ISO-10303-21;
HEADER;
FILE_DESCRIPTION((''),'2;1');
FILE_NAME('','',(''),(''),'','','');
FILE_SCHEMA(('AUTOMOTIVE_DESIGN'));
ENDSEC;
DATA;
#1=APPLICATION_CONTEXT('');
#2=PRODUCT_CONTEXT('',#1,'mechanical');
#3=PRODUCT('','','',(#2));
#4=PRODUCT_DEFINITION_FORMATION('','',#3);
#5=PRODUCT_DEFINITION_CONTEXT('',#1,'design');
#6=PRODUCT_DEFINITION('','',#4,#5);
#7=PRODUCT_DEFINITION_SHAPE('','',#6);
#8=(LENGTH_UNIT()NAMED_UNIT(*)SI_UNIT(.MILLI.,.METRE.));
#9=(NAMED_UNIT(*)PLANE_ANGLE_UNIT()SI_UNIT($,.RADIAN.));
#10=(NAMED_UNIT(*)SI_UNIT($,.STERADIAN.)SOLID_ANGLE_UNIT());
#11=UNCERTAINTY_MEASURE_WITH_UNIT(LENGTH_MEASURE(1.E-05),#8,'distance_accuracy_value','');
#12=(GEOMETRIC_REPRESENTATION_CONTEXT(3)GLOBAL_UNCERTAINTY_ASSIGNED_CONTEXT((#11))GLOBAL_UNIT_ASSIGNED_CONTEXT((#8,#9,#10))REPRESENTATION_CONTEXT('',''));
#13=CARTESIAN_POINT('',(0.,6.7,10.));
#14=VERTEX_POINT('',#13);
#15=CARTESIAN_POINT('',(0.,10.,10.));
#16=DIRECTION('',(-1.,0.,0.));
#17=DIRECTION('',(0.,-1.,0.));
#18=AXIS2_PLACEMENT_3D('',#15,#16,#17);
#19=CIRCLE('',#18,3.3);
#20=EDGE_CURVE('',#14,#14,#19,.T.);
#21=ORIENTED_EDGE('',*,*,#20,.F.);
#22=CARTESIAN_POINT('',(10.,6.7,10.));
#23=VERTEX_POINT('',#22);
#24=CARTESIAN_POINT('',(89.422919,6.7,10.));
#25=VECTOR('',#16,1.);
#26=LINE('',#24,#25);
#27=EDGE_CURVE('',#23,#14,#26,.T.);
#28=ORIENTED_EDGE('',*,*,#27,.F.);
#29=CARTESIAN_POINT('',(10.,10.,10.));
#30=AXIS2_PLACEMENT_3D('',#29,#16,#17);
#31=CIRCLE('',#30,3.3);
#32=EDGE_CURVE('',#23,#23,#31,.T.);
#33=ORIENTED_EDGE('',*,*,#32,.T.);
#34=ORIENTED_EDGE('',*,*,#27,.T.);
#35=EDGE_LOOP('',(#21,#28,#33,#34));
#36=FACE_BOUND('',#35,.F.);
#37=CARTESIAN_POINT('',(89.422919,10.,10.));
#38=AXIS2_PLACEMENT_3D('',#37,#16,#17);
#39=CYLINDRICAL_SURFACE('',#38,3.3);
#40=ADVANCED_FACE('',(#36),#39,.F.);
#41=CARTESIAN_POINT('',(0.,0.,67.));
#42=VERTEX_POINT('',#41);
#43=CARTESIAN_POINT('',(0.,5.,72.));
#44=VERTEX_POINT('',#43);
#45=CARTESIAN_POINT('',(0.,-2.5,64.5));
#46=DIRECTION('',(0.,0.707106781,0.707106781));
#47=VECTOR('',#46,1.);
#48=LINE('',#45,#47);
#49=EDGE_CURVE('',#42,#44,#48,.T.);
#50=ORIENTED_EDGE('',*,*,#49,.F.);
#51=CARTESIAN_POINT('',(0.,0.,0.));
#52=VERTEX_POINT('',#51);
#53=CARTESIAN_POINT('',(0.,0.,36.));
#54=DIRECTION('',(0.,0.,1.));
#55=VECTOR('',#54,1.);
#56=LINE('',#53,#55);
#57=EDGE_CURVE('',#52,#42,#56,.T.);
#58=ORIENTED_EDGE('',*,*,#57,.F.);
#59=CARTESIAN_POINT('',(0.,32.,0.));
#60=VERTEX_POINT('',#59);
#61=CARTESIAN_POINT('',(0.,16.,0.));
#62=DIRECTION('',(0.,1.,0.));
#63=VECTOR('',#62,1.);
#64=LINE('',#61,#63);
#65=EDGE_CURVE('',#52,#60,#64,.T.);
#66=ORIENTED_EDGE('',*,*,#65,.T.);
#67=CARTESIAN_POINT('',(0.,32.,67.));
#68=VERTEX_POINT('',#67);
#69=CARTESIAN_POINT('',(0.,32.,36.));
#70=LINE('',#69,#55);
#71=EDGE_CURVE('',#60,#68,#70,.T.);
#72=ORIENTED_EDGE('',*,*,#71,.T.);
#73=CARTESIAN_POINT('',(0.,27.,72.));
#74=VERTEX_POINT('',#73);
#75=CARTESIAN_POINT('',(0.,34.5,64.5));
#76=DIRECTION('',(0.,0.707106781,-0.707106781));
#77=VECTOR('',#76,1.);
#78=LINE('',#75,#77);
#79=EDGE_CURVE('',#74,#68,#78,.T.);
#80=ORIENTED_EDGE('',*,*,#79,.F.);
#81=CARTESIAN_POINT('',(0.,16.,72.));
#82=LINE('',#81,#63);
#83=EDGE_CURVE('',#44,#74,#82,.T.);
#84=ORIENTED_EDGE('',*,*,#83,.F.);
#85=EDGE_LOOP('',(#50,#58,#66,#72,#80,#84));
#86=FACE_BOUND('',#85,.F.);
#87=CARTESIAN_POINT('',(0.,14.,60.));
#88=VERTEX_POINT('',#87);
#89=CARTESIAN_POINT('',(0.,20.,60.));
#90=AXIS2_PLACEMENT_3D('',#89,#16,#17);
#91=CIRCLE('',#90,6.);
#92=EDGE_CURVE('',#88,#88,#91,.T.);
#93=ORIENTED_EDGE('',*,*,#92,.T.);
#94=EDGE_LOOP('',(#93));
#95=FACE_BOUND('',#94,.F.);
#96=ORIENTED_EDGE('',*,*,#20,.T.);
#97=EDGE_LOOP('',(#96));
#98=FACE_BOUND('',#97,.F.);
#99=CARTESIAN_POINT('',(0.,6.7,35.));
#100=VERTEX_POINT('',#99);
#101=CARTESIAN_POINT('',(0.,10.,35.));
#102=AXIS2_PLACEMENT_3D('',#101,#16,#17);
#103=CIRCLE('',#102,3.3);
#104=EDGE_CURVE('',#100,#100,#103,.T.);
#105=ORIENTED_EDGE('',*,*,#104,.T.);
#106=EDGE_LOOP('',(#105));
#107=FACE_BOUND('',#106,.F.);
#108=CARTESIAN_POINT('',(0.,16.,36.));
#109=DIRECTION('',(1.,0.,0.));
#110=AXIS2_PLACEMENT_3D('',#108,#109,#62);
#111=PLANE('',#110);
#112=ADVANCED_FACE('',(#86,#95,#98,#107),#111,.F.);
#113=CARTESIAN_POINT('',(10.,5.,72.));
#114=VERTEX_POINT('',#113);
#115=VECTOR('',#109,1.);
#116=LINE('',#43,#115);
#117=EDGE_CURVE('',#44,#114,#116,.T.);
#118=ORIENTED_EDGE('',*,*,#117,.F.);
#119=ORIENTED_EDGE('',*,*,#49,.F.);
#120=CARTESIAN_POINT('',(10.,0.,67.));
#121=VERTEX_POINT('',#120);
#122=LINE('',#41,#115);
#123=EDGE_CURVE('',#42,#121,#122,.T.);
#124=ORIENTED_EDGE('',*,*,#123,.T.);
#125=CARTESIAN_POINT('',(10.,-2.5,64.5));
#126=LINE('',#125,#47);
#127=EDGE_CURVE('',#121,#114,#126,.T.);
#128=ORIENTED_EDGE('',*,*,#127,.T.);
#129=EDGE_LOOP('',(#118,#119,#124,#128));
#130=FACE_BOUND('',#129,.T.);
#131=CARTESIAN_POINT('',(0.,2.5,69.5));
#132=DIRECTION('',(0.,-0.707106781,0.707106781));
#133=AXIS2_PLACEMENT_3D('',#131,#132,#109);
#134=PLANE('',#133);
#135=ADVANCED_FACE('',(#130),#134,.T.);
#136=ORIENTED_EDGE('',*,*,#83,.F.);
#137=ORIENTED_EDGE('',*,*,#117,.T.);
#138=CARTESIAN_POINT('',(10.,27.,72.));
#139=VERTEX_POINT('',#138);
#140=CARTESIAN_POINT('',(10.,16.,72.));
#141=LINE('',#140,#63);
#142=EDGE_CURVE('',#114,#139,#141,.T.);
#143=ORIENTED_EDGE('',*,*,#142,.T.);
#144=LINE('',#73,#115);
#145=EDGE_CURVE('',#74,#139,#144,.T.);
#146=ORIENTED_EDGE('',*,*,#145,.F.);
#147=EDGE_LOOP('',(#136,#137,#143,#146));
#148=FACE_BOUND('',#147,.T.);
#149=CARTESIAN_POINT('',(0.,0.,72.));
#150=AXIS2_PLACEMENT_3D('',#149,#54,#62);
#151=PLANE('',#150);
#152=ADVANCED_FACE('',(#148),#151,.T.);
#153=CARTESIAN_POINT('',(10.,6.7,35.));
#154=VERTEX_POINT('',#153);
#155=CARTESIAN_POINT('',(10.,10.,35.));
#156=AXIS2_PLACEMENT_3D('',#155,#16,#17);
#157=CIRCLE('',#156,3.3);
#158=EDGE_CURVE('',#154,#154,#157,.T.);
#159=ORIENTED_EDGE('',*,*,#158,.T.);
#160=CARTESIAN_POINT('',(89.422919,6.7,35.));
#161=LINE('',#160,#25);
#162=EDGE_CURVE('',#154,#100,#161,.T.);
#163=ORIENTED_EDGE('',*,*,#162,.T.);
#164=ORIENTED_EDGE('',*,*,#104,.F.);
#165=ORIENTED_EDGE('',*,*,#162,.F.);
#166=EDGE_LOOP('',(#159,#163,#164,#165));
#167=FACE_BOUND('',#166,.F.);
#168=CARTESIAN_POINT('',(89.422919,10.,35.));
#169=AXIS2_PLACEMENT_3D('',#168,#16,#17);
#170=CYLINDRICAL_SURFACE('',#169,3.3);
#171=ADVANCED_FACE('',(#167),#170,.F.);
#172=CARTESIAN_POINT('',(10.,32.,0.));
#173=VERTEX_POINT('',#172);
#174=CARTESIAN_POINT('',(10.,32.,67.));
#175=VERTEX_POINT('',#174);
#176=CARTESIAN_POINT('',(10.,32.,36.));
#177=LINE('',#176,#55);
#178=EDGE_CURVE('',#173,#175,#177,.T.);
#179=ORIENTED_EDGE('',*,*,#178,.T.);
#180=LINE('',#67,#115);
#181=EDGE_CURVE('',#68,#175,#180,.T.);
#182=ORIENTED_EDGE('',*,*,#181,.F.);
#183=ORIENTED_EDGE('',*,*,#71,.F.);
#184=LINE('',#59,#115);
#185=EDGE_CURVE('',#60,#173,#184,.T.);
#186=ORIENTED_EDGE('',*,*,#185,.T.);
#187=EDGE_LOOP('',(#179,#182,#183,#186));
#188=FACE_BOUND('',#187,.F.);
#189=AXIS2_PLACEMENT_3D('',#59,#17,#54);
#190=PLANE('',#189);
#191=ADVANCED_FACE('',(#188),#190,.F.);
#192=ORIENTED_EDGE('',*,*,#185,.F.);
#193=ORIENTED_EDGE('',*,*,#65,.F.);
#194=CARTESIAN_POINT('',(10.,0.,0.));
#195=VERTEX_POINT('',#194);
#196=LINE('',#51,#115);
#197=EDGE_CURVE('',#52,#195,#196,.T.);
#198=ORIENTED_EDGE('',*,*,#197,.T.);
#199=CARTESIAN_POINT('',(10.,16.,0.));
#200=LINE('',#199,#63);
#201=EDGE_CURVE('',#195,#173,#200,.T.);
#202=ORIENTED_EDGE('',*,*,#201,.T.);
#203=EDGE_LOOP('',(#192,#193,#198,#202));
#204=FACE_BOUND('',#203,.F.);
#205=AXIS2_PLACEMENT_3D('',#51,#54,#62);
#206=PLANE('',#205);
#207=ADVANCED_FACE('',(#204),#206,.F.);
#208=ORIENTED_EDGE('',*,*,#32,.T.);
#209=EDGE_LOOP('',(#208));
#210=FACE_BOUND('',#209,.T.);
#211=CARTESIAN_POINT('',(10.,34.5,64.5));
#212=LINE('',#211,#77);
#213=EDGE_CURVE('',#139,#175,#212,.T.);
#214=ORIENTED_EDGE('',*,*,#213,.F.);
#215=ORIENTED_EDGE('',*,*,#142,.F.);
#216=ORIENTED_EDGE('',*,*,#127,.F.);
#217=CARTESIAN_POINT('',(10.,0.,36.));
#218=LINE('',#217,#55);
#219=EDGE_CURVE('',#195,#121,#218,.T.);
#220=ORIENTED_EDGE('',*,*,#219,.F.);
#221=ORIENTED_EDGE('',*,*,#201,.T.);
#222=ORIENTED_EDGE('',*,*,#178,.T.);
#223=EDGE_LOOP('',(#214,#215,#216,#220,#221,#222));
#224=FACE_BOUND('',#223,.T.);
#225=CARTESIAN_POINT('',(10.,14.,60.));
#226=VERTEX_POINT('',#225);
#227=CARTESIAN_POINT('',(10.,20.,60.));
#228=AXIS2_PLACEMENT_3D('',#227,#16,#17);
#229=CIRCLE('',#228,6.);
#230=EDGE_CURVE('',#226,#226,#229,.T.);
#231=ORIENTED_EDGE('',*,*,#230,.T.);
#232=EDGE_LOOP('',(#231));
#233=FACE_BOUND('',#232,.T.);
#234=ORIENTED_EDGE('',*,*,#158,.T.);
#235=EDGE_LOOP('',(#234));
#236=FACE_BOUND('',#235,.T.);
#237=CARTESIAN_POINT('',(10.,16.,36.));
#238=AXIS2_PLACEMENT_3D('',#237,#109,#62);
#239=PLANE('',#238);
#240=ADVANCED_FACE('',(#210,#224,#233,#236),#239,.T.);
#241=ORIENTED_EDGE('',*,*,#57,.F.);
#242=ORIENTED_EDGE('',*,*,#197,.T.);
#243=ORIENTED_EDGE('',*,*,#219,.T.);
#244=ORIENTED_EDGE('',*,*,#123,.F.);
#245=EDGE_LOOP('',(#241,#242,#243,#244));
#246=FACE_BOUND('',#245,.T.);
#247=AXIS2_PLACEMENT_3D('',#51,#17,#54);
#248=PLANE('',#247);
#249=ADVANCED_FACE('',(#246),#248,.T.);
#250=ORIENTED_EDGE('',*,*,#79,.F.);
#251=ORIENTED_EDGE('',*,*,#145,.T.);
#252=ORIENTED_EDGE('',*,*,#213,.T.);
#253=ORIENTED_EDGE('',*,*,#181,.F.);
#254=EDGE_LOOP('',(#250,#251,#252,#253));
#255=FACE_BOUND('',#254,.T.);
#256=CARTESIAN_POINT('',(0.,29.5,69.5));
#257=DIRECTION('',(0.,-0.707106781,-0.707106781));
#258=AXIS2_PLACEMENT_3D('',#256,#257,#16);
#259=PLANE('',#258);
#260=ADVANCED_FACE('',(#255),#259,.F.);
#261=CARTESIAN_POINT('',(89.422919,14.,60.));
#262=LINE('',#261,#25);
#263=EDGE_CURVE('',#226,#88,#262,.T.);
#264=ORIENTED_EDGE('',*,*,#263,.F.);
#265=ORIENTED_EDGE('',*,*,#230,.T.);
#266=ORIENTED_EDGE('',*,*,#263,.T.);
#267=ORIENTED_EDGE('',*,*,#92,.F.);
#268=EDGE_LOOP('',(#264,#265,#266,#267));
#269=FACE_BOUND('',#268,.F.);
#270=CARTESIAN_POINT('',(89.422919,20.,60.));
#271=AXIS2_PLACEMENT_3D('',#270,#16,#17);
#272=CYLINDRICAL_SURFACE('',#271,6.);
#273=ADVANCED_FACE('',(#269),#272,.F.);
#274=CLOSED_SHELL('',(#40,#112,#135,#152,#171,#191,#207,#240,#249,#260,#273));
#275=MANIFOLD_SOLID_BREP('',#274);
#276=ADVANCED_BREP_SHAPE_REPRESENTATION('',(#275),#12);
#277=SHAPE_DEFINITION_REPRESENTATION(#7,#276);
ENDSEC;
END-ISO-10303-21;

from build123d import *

# Parameters (mm, degrees)
F0_W     = 32
F0_H     = 72
F1_DEPTH = 10
F3_D     = 6.6
F5_D     = 12
F6_SIZE  = 5


with BuildPart() as f1:
    # F0 (on Right) → F1 (new body)
    with BuildSketch(Plane.YZ):
        with Locations((16, 36)):
            Rectangle(F0_W, F0_H)
    extrude(amount=F1_DEPTH)

    # F3 (through all)
    with Locations(Plane.YZ.offset(10)):
        with Locations((10, 35), (10, 10)):
            Hole(F3_D / 2)

    # F5 (through all)
    with Locations(Plane.YZ.offset(10)):
        with Locations((20, 60)):
            Hole(F5_D / 2)

    # F6
    f6_edges = [f1.edges().sort_by_distance(p)[0] for p in [
        (5, 0, 72),
        (5, 32, 72),
    ]]
    chamfer(f6_edges, length=F6_SIZE)


solid = f1.part
